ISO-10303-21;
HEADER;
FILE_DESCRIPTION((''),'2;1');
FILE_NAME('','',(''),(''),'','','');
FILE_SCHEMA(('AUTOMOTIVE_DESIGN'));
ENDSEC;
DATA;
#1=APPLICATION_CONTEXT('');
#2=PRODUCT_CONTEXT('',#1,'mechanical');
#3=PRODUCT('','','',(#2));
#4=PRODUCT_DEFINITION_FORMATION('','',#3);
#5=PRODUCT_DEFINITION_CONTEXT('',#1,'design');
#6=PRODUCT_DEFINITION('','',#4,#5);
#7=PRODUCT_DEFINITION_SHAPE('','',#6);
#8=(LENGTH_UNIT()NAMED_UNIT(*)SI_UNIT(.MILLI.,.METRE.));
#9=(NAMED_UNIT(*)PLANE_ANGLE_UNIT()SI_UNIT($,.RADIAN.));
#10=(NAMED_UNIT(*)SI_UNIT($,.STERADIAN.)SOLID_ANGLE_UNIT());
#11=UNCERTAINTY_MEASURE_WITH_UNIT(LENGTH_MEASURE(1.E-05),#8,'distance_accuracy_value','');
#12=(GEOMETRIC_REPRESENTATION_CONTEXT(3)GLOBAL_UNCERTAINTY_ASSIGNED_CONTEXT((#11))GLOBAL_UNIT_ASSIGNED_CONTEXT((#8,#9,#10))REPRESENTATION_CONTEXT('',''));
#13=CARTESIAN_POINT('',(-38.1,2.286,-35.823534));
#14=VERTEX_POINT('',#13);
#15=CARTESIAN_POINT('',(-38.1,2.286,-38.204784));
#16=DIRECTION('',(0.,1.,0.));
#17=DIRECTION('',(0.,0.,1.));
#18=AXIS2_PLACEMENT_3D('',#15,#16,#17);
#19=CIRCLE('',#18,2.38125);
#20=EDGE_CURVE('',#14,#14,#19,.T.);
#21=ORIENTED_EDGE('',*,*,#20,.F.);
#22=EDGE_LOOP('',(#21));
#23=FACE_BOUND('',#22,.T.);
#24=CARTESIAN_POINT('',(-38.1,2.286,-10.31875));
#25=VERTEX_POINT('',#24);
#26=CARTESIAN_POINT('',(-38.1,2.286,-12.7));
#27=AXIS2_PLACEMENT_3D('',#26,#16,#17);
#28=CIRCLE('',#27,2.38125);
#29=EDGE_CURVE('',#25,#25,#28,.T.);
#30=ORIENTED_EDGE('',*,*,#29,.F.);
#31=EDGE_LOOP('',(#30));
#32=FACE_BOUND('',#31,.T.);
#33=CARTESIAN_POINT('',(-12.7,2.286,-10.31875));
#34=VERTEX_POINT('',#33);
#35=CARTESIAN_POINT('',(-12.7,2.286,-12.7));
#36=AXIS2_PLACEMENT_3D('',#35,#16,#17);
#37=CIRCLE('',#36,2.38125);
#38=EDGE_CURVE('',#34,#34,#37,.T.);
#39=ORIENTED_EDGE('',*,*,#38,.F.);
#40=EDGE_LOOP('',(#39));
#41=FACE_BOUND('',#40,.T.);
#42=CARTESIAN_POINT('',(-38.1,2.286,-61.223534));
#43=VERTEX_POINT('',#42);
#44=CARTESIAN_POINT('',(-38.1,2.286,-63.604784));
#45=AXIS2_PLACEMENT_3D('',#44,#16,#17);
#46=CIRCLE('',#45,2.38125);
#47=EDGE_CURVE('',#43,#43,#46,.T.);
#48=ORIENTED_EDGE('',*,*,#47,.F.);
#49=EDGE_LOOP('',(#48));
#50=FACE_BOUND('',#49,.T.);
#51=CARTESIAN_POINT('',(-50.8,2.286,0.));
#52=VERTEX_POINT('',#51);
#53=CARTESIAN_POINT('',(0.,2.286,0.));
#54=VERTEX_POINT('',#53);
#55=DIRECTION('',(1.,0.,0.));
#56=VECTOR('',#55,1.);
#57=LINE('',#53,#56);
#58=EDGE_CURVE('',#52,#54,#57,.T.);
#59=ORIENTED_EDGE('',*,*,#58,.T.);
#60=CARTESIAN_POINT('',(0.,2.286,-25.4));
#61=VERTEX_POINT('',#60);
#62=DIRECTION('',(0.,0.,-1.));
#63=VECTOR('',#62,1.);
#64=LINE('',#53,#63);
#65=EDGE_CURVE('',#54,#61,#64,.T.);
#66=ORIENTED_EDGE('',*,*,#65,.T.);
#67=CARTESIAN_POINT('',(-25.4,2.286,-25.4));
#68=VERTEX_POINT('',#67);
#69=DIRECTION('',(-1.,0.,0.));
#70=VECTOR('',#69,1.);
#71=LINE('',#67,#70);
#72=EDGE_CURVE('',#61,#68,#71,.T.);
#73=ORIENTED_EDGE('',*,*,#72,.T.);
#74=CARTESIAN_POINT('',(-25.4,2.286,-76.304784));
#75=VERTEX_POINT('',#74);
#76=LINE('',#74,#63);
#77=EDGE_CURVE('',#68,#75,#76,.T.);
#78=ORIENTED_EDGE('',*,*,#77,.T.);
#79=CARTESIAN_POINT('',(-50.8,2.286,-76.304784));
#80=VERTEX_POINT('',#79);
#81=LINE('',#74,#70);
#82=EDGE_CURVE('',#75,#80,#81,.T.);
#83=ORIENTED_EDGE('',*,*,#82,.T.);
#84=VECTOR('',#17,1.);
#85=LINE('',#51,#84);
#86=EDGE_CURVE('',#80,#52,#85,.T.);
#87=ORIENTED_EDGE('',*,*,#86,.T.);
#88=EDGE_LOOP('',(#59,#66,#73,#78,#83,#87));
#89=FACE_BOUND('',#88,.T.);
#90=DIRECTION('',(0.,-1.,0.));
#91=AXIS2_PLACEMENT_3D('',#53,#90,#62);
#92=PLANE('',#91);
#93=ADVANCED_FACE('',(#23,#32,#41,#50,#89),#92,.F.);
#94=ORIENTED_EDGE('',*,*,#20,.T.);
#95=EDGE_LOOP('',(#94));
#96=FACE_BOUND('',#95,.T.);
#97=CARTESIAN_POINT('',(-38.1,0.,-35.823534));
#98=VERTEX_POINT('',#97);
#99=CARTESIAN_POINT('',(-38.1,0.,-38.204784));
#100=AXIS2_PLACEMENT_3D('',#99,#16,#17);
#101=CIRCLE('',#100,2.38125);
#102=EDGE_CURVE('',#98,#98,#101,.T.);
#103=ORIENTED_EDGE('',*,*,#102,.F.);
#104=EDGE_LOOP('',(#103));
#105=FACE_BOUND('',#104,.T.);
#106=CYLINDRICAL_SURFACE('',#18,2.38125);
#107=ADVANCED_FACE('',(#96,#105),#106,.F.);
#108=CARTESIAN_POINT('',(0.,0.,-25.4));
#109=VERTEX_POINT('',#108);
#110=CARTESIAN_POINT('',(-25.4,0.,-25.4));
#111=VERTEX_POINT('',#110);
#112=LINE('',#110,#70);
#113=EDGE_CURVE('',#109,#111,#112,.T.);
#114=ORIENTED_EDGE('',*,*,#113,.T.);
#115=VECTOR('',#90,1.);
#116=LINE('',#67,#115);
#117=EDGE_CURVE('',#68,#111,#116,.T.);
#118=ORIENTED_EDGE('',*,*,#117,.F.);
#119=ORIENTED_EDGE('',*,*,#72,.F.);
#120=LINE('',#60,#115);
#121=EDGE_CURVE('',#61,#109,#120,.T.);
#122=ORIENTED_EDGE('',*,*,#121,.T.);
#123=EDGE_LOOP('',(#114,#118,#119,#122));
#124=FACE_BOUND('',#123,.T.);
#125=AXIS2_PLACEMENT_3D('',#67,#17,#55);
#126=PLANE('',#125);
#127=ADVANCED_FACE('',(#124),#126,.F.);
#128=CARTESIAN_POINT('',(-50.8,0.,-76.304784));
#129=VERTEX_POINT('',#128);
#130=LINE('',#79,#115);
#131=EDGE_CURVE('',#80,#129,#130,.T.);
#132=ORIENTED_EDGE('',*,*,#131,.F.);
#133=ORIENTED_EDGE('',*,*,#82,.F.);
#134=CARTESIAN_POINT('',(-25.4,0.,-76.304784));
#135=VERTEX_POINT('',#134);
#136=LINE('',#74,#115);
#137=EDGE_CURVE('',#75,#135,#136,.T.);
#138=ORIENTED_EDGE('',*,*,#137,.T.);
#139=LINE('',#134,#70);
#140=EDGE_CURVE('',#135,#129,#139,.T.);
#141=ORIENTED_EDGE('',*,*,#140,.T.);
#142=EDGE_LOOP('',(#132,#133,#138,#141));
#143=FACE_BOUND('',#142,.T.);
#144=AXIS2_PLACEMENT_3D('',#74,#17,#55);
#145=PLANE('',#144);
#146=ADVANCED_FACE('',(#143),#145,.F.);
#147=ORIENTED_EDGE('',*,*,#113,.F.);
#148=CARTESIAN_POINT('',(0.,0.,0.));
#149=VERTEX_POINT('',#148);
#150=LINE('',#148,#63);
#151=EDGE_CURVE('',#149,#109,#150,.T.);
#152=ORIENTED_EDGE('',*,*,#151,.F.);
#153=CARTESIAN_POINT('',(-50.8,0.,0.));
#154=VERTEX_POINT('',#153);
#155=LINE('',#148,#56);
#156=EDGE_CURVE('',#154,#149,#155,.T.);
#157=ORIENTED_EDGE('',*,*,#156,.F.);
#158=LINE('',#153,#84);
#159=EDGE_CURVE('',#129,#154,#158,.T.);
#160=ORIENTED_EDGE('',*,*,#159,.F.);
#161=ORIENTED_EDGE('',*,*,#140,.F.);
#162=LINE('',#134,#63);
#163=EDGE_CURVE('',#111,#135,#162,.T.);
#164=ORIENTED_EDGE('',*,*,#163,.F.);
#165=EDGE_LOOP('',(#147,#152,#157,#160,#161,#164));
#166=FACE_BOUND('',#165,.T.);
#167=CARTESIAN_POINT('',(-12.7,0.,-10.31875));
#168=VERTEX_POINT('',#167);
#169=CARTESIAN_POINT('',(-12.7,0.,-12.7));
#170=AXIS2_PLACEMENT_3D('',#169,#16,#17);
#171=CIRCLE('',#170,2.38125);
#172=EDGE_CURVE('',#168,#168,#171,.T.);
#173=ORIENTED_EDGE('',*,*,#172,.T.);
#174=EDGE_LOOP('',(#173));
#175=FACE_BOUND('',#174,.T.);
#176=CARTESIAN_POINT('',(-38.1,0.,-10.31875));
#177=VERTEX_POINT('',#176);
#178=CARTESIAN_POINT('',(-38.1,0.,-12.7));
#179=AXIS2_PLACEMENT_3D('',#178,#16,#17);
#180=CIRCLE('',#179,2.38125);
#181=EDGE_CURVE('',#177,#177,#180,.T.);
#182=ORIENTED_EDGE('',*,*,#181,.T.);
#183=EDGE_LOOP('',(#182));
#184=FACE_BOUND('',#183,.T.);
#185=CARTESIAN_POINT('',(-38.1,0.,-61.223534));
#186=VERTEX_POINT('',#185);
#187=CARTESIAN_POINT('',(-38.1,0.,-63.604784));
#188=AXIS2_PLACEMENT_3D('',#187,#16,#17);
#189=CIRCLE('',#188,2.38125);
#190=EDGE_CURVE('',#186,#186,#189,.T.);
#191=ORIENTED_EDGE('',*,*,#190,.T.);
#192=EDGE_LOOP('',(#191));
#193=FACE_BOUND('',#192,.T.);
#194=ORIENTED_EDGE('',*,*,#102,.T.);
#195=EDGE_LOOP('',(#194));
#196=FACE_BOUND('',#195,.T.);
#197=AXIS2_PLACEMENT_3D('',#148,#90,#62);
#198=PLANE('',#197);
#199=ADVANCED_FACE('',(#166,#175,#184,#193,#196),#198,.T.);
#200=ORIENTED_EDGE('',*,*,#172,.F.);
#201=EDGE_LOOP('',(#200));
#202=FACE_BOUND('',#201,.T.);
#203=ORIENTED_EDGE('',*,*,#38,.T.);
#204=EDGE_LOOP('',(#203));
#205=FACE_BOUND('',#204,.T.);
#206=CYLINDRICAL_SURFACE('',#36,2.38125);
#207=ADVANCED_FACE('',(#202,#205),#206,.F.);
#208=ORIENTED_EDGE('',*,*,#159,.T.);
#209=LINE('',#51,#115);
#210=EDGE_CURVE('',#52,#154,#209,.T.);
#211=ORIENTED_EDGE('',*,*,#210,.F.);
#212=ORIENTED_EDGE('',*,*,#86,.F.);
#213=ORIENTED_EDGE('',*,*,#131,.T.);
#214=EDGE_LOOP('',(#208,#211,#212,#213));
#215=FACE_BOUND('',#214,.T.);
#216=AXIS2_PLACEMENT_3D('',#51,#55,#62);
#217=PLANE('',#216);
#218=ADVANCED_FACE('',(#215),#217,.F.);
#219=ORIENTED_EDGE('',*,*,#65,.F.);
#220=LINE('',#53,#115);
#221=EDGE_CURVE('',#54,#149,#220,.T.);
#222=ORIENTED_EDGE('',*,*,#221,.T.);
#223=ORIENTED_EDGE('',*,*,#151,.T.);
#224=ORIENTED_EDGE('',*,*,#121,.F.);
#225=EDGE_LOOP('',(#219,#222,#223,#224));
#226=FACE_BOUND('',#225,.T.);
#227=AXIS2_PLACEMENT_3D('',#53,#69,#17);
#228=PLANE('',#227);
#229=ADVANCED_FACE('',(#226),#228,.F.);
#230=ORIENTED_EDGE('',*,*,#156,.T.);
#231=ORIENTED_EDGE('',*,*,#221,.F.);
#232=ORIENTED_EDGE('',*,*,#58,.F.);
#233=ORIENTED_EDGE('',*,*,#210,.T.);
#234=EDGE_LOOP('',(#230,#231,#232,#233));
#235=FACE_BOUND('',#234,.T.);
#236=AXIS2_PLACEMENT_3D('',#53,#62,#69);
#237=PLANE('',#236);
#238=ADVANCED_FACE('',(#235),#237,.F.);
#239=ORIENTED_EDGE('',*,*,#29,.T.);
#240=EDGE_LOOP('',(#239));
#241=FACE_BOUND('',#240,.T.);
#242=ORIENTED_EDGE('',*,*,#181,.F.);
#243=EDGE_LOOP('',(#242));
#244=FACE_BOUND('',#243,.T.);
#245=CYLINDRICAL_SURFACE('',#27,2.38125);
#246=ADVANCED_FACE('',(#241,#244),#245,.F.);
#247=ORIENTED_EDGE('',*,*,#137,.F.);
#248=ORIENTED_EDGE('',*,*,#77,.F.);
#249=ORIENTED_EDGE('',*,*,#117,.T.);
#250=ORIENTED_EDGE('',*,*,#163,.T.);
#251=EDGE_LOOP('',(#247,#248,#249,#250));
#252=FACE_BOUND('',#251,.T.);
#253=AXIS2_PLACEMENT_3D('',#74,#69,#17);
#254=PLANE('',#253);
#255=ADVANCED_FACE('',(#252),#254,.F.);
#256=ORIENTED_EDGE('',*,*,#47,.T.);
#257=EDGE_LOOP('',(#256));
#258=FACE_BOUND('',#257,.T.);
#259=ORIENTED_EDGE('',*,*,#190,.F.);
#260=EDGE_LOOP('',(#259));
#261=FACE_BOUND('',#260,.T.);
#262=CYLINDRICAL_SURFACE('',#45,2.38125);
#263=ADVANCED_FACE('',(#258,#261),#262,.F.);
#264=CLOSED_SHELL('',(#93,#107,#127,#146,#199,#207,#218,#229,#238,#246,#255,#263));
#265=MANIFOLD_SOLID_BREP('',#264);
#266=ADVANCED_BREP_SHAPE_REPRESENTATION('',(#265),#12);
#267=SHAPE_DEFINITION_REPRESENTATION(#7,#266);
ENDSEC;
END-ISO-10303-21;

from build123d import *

# Parameters (mm, degrees)
BOSS_EXTRUDE1_DEPTH            = 2.286
F_3_16_0_1875_DIAMETER_HOLE1_D = 4.7625


with BuildPart() as part:
    # Sketch1 → Boss-Extrude1 (new body)
    with BuildSketch(Plane(origin=(0, 0, 0), x_dir=(1, 0, 0), z_dir=(0, 1, 0))):
        Polygon((-25.4, 76.30478401), (-25.4, 25.4), (0, 25.4), (0, 0), (-50.8, 0), (-50.8, 76.30478401), align=None)
    extrude(amount=BOSS_EXTRUDE1_DEPTH)

    # 3/16 (0.1875) Diameter Hole1 (through all)
    with Locations(Plane(origin=(0, 2.286, 0), x_dir=(1, 0, 0), z_dir=(0, 1, 0))):
        with Locations((-38.1, 63.60478401), (-38.1, 38.20478401), (-38.1, 12.7), (-12.7, 12.7)):
            Hole(F_3_16_0_1875_DIAMETER_HOLE1_D / 2)


solid = part.part
